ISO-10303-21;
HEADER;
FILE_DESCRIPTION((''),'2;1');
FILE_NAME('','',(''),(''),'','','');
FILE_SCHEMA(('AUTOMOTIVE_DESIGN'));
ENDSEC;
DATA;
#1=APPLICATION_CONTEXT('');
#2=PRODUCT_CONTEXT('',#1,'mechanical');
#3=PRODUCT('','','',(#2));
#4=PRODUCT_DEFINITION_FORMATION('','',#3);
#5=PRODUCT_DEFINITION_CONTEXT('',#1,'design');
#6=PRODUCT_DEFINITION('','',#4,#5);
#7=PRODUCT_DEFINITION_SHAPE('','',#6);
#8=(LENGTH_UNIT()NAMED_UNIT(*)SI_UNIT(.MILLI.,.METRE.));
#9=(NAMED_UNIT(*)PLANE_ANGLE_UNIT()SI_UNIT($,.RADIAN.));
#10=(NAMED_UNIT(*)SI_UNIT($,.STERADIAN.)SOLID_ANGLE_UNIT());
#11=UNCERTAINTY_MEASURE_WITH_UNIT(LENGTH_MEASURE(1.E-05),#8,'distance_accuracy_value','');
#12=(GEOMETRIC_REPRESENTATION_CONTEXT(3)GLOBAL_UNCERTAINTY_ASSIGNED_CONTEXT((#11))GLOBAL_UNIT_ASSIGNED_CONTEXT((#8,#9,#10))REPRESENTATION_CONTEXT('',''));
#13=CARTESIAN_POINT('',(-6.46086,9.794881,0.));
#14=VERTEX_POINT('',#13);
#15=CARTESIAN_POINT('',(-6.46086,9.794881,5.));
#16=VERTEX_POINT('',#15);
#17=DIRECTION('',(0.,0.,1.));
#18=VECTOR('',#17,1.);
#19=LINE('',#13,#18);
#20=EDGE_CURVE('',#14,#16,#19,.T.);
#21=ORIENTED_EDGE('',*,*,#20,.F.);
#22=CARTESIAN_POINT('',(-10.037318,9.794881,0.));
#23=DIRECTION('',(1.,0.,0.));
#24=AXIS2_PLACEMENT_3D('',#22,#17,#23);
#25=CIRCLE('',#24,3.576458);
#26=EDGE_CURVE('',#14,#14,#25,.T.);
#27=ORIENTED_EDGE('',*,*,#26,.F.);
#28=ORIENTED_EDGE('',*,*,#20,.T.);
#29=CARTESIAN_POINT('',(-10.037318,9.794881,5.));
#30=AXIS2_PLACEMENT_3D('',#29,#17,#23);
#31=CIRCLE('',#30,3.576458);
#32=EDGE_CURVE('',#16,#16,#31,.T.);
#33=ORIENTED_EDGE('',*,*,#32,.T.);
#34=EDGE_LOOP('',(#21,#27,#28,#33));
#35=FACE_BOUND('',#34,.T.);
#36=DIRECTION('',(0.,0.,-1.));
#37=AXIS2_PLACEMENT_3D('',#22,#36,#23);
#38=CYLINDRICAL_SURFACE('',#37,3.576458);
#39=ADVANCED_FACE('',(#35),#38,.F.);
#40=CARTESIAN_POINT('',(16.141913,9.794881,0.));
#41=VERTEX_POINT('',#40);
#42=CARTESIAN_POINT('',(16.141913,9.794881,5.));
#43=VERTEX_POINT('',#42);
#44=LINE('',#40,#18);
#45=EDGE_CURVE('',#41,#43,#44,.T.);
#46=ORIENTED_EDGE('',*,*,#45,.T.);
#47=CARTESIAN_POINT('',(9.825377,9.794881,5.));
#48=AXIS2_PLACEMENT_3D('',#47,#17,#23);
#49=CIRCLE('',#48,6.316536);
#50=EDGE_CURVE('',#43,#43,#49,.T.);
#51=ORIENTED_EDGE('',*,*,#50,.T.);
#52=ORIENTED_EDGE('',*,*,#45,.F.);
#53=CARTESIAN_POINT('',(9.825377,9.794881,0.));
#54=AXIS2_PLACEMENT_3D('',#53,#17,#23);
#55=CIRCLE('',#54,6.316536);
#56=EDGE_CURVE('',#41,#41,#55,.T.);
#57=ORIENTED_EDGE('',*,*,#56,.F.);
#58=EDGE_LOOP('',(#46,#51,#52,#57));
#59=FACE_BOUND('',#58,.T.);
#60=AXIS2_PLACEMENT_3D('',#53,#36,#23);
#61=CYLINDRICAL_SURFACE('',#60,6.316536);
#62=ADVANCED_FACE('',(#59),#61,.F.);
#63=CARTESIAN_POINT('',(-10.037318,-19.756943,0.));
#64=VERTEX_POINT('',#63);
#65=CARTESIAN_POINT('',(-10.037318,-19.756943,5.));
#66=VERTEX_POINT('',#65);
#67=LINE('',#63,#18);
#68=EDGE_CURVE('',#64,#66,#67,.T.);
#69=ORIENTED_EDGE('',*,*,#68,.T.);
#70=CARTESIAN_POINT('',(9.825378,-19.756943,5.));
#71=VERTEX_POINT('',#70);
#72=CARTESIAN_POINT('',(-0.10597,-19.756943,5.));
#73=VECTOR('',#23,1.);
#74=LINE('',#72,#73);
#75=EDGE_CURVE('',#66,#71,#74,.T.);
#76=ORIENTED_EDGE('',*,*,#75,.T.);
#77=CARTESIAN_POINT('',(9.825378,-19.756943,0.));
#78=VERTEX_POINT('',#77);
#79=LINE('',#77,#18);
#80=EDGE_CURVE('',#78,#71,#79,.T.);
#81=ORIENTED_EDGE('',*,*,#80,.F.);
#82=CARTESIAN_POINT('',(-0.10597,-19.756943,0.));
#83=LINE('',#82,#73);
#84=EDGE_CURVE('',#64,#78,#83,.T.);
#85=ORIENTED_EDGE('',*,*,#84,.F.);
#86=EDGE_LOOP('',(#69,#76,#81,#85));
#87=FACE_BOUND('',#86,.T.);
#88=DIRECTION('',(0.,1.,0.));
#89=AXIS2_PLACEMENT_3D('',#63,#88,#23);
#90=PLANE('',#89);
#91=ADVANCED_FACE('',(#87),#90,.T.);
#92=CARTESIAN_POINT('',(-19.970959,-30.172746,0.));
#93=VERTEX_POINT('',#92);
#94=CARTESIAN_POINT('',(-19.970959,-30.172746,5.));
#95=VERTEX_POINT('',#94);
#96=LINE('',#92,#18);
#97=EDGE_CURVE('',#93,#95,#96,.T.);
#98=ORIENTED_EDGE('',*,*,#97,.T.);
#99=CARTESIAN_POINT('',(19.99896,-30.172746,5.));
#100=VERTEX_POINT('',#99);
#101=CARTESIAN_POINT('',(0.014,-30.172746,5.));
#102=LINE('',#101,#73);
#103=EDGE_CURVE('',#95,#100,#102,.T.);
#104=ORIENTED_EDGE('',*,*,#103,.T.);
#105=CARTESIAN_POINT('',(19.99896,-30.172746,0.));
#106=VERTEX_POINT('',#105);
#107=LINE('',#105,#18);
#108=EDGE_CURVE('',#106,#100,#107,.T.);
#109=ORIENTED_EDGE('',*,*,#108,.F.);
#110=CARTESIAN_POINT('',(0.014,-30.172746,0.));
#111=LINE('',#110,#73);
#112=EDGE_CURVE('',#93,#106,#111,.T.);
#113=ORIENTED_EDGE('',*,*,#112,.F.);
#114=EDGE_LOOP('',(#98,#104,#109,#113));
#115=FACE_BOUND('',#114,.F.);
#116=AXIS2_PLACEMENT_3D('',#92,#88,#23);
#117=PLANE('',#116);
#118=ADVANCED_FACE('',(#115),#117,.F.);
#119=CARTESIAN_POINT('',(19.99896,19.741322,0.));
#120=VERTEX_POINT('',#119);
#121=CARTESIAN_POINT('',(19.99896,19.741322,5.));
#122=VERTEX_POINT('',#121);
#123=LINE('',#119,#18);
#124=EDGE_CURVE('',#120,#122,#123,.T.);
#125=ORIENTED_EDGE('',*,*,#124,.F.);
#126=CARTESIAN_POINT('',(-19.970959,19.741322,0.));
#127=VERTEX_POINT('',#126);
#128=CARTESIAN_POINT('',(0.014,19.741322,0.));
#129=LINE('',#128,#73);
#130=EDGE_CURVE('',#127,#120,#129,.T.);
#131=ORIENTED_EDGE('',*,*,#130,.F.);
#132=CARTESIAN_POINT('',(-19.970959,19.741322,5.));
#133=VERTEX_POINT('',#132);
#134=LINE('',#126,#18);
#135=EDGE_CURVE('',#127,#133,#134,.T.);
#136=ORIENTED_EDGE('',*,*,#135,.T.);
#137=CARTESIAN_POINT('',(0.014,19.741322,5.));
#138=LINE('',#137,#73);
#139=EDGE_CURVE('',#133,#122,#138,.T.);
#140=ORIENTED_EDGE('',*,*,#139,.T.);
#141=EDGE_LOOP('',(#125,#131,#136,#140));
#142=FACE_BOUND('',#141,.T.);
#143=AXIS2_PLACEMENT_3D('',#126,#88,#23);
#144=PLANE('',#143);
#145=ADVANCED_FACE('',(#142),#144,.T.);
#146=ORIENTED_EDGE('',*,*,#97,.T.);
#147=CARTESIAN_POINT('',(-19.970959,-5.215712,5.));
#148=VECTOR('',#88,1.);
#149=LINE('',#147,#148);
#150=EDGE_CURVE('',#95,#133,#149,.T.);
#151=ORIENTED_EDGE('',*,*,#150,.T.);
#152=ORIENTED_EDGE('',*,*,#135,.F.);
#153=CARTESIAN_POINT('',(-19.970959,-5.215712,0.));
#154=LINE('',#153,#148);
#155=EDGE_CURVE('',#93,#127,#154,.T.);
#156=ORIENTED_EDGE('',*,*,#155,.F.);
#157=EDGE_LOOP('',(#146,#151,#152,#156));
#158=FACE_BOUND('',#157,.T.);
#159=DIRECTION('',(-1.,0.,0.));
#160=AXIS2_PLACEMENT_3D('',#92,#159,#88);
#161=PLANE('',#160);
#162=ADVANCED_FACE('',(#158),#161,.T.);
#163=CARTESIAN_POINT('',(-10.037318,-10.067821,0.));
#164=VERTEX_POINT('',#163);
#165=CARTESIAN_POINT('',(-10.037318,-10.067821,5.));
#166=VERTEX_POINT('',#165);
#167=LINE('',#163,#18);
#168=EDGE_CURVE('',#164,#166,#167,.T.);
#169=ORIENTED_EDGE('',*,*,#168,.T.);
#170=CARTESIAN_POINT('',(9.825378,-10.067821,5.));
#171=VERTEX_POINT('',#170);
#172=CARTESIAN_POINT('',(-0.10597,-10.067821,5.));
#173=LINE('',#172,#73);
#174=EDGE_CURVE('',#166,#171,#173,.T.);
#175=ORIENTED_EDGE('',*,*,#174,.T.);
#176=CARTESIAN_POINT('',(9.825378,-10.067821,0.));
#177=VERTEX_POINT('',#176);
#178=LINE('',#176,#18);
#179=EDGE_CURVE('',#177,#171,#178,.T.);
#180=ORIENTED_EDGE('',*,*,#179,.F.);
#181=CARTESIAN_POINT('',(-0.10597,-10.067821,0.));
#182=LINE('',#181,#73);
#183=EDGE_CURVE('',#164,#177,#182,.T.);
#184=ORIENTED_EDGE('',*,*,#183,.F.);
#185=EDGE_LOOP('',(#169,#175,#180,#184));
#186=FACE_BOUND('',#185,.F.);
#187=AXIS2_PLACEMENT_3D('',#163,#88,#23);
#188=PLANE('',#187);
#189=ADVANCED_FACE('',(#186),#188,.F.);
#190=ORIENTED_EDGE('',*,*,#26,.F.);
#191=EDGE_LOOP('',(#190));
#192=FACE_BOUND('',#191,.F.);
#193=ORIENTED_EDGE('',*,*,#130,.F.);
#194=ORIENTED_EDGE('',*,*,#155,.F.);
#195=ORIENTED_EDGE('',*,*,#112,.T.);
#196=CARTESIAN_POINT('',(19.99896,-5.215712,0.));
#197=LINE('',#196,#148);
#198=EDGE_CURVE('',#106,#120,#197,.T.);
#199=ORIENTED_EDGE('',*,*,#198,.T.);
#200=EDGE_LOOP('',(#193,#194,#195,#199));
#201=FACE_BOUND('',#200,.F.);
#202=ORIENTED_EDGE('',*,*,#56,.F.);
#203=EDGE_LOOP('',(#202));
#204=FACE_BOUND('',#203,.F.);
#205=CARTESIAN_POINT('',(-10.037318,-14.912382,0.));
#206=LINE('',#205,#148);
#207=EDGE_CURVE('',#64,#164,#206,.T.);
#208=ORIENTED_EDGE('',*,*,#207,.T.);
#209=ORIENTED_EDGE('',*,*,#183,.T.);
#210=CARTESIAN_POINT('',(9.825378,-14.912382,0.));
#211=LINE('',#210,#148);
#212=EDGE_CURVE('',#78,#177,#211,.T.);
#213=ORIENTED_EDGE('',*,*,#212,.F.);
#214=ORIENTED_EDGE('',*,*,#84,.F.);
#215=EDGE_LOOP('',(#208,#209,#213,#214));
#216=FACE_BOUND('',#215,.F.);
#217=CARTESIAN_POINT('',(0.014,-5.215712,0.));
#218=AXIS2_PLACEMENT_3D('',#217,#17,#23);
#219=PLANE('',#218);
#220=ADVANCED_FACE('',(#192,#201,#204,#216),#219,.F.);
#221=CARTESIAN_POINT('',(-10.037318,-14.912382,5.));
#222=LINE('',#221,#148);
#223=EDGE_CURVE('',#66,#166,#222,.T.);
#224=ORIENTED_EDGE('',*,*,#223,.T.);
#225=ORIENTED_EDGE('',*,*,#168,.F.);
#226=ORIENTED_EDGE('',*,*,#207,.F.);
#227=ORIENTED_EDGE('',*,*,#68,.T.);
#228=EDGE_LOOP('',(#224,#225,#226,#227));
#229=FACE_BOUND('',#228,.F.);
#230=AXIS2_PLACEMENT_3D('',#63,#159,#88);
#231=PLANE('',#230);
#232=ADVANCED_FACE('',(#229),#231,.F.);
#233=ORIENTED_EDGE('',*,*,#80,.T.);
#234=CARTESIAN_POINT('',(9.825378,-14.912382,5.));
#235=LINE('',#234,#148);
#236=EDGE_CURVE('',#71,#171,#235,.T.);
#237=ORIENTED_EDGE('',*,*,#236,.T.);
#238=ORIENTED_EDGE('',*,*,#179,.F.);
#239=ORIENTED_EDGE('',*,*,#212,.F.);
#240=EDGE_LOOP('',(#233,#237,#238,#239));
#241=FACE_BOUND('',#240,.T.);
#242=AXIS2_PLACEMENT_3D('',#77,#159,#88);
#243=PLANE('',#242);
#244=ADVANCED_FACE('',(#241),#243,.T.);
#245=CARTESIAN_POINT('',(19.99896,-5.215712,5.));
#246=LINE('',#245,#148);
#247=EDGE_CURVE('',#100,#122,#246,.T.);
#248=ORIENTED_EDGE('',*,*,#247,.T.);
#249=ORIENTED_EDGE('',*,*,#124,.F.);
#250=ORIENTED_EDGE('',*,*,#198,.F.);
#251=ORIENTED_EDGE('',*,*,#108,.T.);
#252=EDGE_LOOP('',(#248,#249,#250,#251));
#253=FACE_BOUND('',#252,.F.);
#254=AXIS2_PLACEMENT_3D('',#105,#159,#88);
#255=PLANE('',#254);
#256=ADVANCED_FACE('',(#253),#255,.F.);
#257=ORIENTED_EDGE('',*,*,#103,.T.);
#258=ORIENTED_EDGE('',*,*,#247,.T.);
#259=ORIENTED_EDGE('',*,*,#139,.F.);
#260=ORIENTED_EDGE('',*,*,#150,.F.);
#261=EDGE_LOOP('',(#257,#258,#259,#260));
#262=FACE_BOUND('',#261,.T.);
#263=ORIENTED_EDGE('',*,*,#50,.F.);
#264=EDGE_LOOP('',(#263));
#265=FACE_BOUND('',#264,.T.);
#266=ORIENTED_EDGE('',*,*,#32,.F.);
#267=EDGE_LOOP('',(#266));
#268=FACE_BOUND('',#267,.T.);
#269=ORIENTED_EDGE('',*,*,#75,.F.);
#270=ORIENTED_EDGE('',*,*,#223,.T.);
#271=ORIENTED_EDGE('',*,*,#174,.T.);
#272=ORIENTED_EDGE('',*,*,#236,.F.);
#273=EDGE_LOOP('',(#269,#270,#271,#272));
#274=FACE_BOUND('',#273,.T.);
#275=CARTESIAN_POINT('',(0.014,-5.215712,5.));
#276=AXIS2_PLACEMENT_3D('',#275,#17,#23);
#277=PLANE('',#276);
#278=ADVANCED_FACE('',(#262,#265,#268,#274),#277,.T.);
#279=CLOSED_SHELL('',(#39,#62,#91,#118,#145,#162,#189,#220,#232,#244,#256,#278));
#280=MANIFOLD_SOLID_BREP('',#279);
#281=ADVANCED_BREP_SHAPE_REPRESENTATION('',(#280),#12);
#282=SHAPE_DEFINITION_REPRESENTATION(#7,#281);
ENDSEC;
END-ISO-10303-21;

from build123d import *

# Parameters (mm, degrees)
SKETCH_W   = 39.969919
SKETCH_H   = 49.914069
SKETCH_R   = 3.576458
SKETCH_R_2 = 6.316536
SKETCH_W_2 = 19.862695
SKETCH_H_2 = 9.689122
PAD_DEPTH  = 5


with BuildPart() as part:
    # Sketch → Pad (new body)
    with BuildSketch(Plane.XY):
        with Locations((0.014, -5.215712)):
            Rectangle(SKETCH_W, SKETCH_H)
        with Locations((-10.037318, 9.794881)):
            Circle(SKETCH_R, mode=Mode.SUBTRACT)
        with Locations((9.825377, 9.794881)):
            Circle(SKETCH_R_2, mode=Mode.SUBTRACT)
        with Locations((-0.10597, -14.912382)):
            Rectangle(SKETCH_W_2, SKETCH_H_2, mode=Mode.SUBTRACT)
    extrude(amount=PAD_DEPTH)


solid = part.part
